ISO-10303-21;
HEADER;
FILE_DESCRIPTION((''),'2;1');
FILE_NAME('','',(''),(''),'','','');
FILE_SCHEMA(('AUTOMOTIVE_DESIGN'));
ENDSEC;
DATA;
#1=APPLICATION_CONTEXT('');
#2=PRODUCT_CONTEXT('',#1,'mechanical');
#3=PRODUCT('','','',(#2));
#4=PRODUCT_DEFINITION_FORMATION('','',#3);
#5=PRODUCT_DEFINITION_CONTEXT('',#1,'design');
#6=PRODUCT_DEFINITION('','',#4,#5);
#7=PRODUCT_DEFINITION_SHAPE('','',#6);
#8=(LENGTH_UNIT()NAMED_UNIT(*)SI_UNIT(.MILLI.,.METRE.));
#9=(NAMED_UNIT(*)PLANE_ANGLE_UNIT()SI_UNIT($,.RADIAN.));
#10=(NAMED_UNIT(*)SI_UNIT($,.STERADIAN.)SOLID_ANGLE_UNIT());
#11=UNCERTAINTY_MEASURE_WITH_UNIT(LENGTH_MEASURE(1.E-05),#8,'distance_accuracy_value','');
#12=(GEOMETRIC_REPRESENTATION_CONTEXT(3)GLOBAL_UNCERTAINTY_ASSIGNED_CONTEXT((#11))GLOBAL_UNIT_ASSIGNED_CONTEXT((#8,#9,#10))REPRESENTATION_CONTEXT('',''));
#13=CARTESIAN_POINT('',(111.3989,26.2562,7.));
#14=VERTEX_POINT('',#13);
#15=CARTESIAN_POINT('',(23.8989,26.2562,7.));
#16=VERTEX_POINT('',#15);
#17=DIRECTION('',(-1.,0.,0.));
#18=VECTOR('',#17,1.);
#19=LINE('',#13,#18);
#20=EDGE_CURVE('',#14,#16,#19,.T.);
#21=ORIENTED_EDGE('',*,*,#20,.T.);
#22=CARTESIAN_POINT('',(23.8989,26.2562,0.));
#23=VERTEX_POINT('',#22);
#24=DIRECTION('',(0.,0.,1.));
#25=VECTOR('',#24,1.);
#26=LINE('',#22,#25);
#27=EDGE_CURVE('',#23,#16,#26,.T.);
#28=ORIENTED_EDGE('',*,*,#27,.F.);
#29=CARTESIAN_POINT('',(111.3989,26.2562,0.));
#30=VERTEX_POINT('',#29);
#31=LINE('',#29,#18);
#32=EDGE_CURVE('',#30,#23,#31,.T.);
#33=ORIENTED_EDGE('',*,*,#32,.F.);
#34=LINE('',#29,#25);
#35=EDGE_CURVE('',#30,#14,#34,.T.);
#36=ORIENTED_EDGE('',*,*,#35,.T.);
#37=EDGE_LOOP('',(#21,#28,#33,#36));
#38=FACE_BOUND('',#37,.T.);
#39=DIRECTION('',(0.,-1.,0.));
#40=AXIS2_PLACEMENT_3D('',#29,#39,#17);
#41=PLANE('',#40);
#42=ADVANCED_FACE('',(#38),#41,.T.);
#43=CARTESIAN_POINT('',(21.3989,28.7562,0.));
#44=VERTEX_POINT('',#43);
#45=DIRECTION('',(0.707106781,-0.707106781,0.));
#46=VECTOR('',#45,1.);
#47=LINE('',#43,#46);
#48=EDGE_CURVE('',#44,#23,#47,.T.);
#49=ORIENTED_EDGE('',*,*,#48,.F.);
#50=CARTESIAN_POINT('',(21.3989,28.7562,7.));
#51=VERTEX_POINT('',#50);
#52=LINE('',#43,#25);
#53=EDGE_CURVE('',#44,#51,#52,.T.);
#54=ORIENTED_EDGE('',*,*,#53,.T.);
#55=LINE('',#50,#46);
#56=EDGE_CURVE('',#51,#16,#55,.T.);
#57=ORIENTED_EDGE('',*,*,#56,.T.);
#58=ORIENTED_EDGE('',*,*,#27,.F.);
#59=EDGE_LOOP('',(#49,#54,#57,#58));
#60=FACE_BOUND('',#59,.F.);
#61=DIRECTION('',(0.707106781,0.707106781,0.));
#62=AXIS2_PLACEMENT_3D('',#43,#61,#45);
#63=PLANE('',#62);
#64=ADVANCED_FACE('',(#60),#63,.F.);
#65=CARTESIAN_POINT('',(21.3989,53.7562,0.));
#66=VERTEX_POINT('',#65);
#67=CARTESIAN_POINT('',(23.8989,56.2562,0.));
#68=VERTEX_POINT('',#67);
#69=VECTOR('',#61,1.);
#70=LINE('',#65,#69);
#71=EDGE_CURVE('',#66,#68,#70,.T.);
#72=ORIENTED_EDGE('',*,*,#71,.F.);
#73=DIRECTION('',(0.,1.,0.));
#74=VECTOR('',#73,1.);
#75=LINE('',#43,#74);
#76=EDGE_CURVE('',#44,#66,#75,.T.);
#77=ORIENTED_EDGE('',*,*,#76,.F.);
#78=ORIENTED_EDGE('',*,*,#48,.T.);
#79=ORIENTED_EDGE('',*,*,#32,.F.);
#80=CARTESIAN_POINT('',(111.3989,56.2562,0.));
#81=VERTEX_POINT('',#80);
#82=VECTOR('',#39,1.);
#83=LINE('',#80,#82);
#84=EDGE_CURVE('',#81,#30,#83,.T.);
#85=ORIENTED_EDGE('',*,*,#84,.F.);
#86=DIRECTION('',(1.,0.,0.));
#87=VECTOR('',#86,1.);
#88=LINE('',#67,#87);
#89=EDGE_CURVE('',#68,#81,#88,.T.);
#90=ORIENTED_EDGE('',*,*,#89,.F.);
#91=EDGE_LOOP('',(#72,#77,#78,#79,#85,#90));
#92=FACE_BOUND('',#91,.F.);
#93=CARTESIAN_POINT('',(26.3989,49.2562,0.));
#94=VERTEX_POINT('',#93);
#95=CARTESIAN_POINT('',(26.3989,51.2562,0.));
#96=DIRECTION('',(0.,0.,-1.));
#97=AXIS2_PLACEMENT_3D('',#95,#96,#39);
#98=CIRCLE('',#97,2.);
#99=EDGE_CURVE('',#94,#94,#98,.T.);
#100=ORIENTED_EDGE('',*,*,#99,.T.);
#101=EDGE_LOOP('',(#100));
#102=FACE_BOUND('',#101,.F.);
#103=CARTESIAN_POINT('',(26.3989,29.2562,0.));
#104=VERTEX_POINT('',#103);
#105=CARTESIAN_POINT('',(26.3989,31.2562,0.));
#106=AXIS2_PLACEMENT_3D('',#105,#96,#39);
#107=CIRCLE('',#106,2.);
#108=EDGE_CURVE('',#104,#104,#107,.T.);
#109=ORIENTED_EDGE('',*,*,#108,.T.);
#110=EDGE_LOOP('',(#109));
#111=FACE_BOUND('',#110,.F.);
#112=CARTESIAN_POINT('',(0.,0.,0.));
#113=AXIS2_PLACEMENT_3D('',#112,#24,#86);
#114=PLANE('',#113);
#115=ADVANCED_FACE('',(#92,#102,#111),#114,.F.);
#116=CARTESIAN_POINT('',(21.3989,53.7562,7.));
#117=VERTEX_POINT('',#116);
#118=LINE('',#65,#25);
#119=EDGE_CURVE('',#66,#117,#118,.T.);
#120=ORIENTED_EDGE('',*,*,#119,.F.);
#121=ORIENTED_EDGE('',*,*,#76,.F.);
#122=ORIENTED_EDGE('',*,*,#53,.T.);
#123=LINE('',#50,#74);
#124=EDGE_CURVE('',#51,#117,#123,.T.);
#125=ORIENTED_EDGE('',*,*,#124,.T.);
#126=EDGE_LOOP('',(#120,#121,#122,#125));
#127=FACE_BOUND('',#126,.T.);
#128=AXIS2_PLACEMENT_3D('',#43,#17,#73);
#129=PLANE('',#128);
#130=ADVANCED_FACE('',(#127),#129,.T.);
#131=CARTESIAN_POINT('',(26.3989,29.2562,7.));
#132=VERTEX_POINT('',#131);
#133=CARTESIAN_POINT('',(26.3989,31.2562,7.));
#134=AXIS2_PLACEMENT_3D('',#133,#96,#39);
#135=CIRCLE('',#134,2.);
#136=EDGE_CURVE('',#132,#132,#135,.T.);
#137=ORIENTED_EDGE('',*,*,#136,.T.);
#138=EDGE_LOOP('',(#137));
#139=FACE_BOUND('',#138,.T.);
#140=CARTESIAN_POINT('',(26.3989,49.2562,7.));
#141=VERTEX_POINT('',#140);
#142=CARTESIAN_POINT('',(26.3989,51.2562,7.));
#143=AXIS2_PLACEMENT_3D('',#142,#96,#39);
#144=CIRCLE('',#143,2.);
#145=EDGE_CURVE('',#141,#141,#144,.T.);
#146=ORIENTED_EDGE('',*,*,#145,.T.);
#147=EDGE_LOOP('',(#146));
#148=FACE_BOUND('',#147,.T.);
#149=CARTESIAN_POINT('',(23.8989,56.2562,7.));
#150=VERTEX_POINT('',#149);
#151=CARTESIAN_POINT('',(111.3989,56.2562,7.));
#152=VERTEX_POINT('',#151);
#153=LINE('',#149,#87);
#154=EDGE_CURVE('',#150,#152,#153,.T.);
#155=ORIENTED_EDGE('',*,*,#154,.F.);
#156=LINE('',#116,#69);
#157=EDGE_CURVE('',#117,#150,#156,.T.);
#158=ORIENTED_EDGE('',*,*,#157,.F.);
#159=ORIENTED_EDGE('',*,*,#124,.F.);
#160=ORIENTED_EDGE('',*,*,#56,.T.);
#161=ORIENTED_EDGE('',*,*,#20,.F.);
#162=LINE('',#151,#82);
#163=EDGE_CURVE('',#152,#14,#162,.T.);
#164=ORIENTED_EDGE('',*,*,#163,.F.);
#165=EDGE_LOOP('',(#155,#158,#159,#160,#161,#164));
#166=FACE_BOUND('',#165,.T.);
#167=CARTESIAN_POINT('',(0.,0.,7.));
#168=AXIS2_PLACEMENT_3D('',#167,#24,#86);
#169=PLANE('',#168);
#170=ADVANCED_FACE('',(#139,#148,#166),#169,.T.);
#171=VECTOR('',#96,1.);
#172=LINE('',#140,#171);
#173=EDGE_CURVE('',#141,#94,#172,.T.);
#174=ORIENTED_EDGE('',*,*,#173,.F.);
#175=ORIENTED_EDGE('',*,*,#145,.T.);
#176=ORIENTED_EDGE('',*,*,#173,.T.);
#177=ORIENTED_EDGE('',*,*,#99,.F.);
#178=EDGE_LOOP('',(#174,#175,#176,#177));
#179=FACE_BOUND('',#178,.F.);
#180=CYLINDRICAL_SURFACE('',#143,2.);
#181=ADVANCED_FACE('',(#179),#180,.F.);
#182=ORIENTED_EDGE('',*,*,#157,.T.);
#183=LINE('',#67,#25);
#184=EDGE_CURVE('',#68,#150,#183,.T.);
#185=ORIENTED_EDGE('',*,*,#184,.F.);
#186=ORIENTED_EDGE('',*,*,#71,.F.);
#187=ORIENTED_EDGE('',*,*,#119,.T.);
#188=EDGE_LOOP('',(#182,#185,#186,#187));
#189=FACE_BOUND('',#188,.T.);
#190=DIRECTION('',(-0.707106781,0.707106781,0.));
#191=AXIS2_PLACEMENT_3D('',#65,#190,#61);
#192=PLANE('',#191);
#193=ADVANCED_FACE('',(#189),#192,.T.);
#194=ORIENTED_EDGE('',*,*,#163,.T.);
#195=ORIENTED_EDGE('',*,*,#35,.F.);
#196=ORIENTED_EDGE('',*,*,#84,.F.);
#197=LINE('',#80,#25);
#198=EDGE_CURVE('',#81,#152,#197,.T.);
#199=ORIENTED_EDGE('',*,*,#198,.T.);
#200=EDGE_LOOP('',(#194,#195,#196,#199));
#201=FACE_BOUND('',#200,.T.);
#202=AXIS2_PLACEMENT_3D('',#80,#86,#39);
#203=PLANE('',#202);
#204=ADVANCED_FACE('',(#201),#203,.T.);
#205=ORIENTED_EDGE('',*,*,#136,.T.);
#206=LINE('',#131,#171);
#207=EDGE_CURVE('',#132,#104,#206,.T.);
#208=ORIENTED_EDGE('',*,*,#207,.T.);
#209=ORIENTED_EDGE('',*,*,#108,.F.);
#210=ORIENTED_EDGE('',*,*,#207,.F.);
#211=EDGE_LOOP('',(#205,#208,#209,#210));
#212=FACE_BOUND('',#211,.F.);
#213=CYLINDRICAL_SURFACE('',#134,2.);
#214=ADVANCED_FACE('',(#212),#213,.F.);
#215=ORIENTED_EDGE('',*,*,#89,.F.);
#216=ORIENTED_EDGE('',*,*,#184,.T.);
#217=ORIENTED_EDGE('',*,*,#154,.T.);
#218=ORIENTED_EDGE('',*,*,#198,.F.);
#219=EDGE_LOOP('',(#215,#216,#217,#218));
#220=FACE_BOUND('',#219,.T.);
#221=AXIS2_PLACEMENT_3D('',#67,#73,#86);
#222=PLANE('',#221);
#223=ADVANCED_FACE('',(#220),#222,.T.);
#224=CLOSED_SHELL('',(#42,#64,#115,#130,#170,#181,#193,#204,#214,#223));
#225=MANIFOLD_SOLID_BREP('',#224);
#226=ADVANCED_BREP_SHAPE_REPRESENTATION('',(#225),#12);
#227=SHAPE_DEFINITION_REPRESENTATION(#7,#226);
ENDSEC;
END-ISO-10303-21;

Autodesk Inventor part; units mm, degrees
ref_plane "YZ Plane" through (0, 0, 0) normal (1, 0, 0) x (0, 1, 0)
ref_plane "XZ Plane" through (0, 0, 0) normal (0, 1, 0) x (-1, 0, 0)
ref_plane "XY Plane" through (0, 0, 0) normal (0, 0, 1) x (1, 0, 0)
sketch "Sketch1" plane through (0, 0, 0) normal (0, 0, 1) x (1, 0, 0)
  line L0 (23.8989, 56.2562) -> (111.3989, 56.2562)
  line L1 (111.3989, 56.2562) -> (111.3989, 26.2562)
  line L2 (111.3989, 26.2562) -> (23.8989, 26.2562)
  line L3 (21.3989, 28.7562) -> (21.3989, 53.7562)
  line L4 (21.3989, 53.7562) -> (23.8989, 56.2562)
  line L5 (21.3989, 28.7562) -> (23.8989, 26.2562)
  point P0 (0, 0)
  point P1 (21.3989, 56.2562)
  point P2 (21.3989, 26.2562)
  dimension "d0" = 30
  dimension "d1" = 90
  dimension "d2" = 2.5
  dimension "d3" = 2.5
  dimension "d4" = 2.5
  dimension "d5" = 2.5
extrude "Extrusion1" add sketch "Sketch1" along normal blind 7
sketch "Sketch2" plane through (0, 0, 7) normal (0, 0, 1) x (1, 0, 0)
  line L0 (111.3989, 26.2562) -> (111.3989, 56.2562) construction
  line L1 (111.3989, 41.2562) -> (21.3989, 41.2562) construction
  line L2 (21.3989, 53.7562) -> (21.3989, 28.7562) construction
  line L3 (23.8989, 26.2562) -> (111.3989, 26.2562) projected
  point P0 (0, 0)
  point P1 (26.3989, 31.2562)
  point P2 (26.3989, 51.2562)
  dimension "d8" = 5
  dimension "d9" = 5
hole "Hole1" at (26.3989, 31.2562, 7) at (26.3989, 51.2562, 7) direction (0, 0, -1) diameter 4 end through all
sketch "Sketch3" plane through (0, 0, 7) normal (0, 0, 1) x (1, 0, 0)
  circle A0 centre (67.6489, 41.2562) radius 12.5 construction
  line L0 (21.3989, 53.7562) -> (21.3989, 28.7562) projected
  line L1 (21.3989, 41.2562) -> (111.3989, 41.2562) construction
  line L2 (111.3989, 26.2562) -> (111.3989, 56.2562) projected
  line L3 (23.8989, 26.2562) -> (111.3989, 26.2562) construction
  line L4 (67.6489, 26.2562) -> (67.6489, 56.2562) construction
  point P0 (0, 0)
  dimension "d17" = 25
equation "\"d3\" = d2"
equation "\"d4\" = d2"
equation "\"d5\" = d4"
properties part number "Dedo" material "MDF Medium Density Fiberboard"
